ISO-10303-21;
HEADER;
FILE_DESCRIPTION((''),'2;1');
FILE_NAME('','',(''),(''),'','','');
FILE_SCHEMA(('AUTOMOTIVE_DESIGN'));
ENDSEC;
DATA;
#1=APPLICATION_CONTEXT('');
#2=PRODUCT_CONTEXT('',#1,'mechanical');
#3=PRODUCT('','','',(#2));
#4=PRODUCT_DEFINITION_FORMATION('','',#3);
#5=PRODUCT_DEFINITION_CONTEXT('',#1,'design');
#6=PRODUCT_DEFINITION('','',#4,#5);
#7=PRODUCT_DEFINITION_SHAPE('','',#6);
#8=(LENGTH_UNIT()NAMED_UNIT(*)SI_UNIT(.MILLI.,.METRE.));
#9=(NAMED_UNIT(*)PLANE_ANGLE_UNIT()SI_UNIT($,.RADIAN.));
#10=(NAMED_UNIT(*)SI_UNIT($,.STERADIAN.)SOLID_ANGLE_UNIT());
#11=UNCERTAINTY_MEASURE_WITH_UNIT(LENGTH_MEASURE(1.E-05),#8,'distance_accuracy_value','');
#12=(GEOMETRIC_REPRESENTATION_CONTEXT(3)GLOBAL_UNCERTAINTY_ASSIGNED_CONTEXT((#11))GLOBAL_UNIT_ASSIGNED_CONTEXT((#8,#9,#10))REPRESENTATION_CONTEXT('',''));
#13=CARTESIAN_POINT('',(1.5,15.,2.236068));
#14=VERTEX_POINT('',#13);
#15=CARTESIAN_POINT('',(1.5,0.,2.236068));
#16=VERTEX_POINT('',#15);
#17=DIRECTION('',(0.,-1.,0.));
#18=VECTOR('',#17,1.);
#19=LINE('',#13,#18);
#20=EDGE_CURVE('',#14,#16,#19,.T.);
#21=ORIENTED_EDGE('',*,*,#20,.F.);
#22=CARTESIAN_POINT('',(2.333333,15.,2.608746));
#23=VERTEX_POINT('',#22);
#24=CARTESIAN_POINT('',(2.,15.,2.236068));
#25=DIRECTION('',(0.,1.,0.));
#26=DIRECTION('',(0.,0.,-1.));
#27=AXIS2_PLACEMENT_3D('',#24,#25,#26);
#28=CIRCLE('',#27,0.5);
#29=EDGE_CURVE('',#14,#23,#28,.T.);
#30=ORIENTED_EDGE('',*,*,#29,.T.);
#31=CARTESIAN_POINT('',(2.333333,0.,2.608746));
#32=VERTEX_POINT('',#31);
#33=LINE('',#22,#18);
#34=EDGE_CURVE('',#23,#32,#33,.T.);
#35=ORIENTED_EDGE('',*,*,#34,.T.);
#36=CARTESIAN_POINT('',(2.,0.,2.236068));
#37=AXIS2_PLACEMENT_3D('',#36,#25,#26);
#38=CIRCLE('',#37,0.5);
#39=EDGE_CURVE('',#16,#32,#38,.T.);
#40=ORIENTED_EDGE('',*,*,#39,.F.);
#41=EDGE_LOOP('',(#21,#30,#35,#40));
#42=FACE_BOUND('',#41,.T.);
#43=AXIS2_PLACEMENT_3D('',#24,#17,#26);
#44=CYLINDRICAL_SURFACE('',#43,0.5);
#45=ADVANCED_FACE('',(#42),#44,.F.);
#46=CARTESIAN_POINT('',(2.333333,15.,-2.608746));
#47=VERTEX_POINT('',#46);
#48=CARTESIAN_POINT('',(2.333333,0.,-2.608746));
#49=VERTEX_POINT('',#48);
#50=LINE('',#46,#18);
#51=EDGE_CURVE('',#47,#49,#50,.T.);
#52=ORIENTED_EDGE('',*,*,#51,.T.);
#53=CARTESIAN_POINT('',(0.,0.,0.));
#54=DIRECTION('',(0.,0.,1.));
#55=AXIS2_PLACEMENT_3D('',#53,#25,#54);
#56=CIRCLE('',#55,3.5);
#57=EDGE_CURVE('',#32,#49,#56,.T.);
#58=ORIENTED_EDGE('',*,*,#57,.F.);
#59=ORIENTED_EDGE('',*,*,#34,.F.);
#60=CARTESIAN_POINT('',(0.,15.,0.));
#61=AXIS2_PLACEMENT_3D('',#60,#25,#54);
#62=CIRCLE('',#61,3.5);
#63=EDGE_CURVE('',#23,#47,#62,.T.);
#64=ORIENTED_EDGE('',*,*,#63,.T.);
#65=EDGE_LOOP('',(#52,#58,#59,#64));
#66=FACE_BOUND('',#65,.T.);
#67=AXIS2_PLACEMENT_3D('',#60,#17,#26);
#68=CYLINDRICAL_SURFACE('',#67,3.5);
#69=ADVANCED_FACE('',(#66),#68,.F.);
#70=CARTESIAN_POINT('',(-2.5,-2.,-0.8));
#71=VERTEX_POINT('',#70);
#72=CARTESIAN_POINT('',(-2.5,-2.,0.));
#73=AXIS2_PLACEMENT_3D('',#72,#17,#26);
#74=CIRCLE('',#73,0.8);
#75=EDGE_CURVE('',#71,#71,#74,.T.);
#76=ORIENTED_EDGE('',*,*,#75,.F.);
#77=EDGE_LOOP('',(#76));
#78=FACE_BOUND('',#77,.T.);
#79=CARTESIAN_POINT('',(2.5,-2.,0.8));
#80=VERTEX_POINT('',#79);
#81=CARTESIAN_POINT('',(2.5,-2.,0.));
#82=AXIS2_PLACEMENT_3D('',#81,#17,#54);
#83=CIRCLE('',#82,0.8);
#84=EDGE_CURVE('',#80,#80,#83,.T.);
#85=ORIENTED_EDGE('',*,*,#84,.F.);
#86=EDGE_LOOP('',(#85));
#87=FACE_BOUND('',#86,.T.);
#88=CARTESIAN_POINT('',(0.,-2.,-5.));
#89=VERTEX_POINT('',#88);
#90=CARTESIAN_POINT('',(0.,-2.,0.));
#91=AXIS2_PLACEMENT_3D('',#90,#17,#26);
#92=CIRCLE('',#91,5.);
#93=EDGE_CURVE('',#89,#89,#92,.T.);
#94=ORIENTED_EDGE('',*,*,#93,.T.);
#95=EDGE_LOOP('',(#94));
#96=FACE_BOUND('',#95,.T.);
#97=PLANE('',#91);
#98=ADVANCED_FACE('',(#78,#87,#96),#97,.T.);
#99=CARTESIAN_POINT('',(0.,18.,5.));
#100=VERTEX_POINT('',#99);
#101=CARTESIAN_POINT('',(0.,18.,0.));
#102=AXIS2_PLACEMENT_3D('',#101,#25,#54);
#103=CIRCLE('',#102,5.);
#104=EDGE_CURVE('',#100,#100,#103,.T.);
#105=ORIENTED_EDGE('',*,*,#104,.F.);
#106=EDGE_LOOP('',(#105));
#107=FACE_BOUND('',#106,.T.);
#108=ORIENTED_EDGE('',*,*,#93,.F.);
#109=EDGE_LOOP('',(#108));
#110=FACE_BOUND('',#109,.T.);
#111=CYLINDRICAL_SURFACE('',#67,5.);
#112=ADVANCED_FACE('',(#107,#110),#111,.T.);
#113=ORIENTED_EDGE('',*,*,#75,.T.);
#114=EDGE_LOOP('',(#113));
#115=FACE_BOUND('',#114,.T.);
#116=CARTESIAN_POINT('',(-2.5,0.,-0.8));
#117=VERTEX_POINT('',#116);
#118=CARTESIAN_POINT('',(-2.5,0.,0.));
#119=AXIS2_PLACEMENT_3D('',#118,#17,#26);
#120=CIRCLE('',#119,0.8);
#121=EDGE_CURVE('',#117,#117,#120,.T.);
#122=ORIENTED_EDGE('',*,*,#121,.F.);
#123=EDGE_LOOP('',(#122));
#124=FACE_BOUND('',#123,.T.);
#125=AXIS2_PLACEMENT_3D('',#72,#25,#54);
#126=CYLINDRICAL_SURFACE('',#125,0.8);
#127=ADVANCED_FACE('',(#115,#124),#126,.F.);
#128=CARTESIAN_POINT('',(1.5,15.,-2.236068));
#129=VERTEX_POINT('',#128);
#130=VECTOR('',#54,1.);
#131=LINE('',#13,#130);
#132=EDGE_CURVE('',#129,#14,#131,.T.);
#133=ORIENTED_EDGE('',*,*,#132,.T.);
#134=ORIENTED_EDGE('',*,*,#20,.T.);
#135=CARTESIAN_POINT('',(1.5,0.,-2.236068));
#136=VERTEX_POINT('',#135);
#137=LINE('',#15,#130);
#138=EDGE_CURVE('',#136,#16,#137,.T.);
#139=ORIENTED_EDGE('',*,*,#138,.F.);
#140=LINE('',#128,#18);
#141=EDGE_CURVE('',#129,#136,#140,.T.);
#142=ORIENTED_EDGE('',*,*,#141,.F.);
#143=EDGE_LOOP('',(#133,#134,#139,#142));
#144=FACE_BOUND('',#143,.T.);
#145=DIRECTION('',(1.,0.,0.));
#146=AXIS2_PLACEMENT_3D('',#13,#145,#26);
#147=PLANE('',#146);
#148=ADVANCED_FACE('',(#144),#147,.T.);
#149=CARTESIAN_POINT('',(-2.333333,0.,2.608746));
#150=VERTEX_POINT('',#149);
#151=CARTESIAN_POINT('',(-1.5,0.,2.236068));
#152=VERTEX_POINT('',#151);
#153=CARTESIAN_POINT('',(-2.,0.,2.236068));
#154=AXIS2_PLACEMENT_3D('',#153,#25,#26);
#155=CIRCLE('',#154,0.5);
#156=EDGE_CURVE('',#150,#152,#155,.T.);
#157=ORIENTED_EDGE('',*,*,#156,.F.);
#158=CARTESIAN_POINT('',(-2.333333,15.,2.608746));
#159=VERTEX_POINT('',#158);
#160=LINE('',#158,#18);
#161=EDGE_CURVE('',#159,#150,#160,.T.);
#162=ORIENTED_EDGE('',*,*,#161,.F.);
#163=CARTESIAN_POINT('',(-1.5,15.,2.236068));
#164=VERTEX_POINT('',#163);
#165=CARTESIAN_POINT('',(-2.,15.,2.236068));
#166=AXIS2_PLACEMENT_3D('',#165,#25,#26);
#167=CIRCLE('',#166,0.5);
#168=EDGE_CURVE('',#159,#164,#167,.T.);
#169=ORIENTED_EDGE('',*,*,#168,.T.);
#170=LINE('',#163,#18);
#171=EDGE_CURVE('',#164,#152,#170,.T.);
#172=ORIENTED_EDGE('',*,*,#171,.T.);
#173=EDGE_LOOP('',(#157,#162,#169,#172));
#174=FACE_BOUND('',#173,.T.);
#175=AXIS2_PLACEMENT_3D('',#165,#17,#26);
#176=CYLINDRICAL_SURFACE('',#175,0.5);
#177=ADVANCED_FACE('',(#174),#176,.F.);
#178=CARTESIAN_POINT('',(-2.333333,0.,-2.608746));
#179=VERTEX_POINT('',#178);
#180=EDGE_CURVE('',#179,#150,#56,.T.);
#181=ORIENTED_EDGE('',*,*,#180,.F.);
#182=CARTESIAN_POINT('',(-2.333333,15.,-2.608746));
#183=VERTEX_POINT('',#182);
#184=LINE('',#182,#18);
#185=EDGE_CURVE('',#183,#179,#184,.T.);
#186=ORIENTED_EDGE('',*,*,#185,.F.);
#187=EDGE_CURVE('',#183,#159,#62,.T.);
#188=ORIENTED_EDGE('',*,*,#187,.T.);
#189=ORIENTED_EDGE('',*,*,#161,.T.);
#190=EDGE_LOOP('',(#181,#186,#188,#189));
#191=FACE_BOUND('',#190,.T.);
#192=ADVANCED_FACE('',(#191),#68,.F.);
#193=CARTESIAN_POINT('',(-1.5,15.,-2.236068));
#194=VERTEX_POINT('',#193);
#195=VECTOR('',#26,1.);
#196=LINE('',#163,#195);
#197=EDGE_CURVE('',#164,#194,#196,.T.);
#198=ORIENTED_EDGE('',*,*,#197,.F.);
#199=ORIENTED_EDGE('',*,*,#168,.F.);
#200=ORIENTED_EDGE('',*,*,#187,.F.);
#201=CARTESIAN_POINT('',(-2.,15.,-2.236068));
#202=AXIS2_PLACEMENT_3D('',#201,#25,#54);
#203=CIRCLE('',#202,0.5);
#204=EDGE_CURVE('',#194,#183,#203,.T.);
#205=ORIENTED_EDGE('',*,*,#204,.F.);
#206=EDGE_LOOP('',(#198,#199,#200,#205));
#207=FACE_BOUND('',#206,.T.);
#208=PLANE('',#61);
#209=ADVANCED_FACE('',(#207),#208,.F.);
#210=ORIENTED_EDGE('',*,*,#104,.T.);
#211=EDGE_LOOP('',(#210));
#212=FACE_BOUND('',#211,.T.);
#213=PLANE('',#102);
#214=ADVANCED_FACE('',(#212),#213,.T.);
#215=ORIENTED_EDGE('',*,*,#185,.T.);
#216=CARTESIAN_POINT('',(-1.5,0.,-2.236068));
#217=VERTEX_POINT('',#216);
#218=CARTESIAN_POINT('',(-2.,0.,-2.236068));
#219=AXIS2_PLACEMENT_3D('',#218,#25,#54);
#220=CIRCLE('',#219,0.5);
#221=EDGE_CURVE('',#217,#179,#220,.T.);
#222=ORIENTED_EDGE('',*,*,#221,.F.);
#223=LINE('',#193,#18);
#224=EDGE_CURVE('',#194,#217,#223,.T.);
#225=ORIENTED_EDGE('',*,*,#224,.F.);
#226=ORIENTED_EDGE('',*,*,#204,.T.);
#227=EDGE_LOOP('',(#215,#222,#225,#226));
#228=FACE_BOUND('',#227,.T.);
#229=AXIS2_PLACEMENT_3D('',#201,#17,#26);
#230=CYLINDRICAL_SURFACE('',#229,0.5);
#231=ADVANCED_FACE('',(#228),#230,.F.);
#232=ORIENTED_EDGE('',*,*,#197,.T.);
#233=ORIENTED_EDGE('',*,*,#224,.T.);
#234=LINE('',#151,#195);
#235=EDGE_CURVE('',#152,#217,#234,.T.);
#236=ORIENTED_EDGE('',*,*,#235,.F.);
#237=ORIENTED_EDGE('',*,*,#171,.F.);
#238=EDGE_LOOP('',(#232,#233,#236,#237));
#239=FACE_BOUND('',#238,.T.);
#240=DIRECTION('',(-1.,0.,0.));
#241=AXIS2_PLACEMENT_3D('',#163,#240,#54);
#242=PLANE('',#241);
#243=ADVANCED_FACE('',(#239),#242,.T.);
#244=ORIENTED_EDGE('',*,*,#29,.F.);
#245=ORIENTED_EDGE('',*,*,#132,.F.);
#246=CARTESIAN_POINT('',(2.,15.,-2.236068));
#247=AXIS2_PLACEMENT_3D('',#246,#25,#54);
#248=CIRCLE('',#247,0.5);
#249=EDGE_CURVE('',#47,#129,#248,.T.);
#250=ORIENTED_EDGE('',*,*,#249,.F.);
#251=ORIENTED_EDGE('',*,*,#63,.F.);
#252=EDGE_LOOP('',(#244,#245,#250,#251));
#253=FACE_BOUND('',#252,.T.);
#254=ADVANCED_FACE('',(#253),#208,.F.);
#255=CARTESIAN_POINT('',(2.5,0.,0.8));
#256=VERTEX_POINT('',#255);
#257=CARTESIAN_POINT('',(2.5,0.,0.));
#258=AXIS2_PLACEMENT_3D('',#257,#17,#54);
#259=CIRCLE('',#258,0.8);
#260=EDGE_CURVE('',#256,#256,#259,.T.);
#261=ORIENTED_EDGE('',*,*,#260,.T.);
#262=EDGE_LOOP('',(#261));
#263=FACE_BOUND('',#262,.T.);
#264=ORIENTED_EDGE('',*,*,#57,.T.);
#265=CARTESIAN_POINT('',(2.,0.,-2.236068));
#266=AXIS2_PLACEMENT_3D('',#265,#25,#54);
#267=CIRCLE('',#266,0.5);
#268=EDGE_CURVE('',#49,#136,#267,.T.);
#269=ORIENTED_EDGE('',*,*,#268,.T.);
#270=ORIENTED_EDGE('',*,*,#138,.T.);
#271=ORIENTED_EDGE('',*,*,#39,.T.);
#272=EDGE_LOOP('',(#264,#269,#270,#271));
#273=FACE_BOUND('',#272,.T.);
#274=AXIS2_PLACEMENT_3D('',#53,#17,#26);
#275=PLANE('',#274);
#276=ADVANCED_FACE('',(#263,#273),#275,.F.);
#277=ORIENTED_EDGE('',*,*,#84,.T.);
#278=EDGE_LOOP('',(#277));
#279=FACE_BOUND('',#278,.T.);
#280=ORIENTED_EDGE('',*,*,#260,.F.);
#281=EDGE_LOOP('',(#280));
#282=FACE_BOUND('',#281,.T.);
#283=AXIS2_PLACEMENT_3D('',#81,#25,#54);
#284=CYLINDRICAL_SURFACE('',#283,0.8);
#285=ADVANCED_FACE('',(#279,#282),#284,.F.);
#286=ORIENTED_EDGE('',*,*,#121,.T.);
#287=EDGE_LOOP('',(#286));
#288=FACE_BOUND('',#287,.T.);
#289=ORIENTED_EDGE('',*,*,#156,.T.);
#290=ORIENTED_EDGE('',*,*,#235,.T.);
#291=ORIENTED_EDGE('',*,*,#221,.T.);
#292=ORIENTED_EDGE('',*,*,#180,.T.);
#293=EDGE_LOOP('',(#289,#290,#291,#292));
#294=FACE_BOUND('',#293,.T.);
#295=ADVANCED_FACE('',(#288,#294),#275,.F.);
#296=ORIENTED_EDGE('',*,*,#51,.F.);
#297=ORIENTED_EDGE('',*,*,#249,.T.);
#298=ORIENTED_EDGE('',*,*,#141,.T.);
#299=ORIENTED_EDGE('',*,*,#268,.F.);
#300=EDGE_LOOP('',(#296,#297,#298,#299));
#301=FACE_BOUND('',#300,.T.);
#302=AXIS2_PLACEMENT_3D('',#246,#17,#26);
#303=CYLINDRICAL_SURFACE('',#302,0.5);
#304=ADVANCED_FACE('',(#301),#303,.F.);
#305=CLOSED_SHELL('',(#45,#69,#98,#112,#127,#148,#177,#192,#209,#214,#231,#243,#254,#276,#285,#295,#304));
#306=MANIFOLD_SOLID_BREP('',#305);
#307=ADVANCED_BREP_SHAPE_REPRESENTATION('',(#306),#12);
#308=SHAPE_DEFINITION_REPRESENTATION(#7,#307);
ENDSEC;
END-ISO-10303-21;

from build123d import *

# Parameters (mm, degrees)
SKETCH1_R           = 5
BOSS_EXTRUDE1_DEPTH = 15
BOSS_EXTRUDE2_START = 2
SKETCH2_R           = 5
SKETCH2_R_2         = 0.8
BOSS_EXTRUDE2_DEPTH = 2
SKETCH3_R           = 5
BOSS_EXTRUDE3_DEPTH = 3


with BuildPart() as part:
    # Sketch1 → Boss-Extrude1 (new body)
    with BuildSketch(Plane(origin=(0, 0, 0), x_dir=(1, 0, 0), z_dir=(0, 1, 0))):
        with Locations(Location((0, 0, 0), (0, 0, 270))):
            Circle(SKETCH1_R)
        with BuildLine():
            Line((1.5, -2.236067977), (1.5, 2.236067977))
            ThreePointArc((1.5, 2.236067977), (1.795875855, 2.692503442), (2.333333333, 2.608745974))
            ThreePointArc((2.333333333, 2.608745974), (3.5, 0), (2.333333333, -2.608745974))
            ThreePointArc((2.333333333, -2.608745974), (1.795875855, -2.692503442), (1.5, -2.236067977))
        make_face(mode=Mode.SUBTRACT)
        with BuildLine():
            Line((-1.5, -2.236067977), (-1.5, 2.236067977))
            ThreePointArc((-1.5, 2.236067977), (-1.795875855, 2.692503442), (-2.333333333, 2.608745974))
            ThreePointArc((-2.333333333, 2.608745974), (-3.5, 0), (-2.333333333, -2.608745974))
            ThreePointArc((-2.333333333, -2.608745974), (-1.795875855, -2.692503442), (-1.5, -2.236067977))
        make_face(mode=Mode.SUBTRACT)
    extrude(amount=BOSS_EXTRUDE1_DEPTH)

    # Sketch2 → Boss-Extrude2 (add)
    with BuildSketch(Plane.XZ.offset(BOSS_EXTRUDE2_START)):
        with Locations(Location((0, 0, 0), (0, 0, 270))):
            Circle(SKETCH2_R)
        with Locations(Location((-2.5, 0, 0), (0, 0, 270))):
            Circle(SKETCH2_R_2, mode=Mode.SUBTRACT)
        with Locations(Location((2.5, 0, 0), (0, 0, 90))):
            Circle(SKETCH2_R_2, mode=Mode.SUBTRACT)
    extrude(amount=-BOSS_EXTRUDE2_DEPTH)

    # Sketch3 → Boss-Extrude3 (add)
    with BuildSketch(Plane(origin=(0, 15, 0), x_dir=(1, 0, 0), z_dir=(0, 1, 0))):
        with Locations(Location((0, 0, 0), (0, 0, 90))):
            Circle(SKETCH3_R)
    extrude(amount=BOSS_EXTRUDE3_DEPTH)


solid = part.part
